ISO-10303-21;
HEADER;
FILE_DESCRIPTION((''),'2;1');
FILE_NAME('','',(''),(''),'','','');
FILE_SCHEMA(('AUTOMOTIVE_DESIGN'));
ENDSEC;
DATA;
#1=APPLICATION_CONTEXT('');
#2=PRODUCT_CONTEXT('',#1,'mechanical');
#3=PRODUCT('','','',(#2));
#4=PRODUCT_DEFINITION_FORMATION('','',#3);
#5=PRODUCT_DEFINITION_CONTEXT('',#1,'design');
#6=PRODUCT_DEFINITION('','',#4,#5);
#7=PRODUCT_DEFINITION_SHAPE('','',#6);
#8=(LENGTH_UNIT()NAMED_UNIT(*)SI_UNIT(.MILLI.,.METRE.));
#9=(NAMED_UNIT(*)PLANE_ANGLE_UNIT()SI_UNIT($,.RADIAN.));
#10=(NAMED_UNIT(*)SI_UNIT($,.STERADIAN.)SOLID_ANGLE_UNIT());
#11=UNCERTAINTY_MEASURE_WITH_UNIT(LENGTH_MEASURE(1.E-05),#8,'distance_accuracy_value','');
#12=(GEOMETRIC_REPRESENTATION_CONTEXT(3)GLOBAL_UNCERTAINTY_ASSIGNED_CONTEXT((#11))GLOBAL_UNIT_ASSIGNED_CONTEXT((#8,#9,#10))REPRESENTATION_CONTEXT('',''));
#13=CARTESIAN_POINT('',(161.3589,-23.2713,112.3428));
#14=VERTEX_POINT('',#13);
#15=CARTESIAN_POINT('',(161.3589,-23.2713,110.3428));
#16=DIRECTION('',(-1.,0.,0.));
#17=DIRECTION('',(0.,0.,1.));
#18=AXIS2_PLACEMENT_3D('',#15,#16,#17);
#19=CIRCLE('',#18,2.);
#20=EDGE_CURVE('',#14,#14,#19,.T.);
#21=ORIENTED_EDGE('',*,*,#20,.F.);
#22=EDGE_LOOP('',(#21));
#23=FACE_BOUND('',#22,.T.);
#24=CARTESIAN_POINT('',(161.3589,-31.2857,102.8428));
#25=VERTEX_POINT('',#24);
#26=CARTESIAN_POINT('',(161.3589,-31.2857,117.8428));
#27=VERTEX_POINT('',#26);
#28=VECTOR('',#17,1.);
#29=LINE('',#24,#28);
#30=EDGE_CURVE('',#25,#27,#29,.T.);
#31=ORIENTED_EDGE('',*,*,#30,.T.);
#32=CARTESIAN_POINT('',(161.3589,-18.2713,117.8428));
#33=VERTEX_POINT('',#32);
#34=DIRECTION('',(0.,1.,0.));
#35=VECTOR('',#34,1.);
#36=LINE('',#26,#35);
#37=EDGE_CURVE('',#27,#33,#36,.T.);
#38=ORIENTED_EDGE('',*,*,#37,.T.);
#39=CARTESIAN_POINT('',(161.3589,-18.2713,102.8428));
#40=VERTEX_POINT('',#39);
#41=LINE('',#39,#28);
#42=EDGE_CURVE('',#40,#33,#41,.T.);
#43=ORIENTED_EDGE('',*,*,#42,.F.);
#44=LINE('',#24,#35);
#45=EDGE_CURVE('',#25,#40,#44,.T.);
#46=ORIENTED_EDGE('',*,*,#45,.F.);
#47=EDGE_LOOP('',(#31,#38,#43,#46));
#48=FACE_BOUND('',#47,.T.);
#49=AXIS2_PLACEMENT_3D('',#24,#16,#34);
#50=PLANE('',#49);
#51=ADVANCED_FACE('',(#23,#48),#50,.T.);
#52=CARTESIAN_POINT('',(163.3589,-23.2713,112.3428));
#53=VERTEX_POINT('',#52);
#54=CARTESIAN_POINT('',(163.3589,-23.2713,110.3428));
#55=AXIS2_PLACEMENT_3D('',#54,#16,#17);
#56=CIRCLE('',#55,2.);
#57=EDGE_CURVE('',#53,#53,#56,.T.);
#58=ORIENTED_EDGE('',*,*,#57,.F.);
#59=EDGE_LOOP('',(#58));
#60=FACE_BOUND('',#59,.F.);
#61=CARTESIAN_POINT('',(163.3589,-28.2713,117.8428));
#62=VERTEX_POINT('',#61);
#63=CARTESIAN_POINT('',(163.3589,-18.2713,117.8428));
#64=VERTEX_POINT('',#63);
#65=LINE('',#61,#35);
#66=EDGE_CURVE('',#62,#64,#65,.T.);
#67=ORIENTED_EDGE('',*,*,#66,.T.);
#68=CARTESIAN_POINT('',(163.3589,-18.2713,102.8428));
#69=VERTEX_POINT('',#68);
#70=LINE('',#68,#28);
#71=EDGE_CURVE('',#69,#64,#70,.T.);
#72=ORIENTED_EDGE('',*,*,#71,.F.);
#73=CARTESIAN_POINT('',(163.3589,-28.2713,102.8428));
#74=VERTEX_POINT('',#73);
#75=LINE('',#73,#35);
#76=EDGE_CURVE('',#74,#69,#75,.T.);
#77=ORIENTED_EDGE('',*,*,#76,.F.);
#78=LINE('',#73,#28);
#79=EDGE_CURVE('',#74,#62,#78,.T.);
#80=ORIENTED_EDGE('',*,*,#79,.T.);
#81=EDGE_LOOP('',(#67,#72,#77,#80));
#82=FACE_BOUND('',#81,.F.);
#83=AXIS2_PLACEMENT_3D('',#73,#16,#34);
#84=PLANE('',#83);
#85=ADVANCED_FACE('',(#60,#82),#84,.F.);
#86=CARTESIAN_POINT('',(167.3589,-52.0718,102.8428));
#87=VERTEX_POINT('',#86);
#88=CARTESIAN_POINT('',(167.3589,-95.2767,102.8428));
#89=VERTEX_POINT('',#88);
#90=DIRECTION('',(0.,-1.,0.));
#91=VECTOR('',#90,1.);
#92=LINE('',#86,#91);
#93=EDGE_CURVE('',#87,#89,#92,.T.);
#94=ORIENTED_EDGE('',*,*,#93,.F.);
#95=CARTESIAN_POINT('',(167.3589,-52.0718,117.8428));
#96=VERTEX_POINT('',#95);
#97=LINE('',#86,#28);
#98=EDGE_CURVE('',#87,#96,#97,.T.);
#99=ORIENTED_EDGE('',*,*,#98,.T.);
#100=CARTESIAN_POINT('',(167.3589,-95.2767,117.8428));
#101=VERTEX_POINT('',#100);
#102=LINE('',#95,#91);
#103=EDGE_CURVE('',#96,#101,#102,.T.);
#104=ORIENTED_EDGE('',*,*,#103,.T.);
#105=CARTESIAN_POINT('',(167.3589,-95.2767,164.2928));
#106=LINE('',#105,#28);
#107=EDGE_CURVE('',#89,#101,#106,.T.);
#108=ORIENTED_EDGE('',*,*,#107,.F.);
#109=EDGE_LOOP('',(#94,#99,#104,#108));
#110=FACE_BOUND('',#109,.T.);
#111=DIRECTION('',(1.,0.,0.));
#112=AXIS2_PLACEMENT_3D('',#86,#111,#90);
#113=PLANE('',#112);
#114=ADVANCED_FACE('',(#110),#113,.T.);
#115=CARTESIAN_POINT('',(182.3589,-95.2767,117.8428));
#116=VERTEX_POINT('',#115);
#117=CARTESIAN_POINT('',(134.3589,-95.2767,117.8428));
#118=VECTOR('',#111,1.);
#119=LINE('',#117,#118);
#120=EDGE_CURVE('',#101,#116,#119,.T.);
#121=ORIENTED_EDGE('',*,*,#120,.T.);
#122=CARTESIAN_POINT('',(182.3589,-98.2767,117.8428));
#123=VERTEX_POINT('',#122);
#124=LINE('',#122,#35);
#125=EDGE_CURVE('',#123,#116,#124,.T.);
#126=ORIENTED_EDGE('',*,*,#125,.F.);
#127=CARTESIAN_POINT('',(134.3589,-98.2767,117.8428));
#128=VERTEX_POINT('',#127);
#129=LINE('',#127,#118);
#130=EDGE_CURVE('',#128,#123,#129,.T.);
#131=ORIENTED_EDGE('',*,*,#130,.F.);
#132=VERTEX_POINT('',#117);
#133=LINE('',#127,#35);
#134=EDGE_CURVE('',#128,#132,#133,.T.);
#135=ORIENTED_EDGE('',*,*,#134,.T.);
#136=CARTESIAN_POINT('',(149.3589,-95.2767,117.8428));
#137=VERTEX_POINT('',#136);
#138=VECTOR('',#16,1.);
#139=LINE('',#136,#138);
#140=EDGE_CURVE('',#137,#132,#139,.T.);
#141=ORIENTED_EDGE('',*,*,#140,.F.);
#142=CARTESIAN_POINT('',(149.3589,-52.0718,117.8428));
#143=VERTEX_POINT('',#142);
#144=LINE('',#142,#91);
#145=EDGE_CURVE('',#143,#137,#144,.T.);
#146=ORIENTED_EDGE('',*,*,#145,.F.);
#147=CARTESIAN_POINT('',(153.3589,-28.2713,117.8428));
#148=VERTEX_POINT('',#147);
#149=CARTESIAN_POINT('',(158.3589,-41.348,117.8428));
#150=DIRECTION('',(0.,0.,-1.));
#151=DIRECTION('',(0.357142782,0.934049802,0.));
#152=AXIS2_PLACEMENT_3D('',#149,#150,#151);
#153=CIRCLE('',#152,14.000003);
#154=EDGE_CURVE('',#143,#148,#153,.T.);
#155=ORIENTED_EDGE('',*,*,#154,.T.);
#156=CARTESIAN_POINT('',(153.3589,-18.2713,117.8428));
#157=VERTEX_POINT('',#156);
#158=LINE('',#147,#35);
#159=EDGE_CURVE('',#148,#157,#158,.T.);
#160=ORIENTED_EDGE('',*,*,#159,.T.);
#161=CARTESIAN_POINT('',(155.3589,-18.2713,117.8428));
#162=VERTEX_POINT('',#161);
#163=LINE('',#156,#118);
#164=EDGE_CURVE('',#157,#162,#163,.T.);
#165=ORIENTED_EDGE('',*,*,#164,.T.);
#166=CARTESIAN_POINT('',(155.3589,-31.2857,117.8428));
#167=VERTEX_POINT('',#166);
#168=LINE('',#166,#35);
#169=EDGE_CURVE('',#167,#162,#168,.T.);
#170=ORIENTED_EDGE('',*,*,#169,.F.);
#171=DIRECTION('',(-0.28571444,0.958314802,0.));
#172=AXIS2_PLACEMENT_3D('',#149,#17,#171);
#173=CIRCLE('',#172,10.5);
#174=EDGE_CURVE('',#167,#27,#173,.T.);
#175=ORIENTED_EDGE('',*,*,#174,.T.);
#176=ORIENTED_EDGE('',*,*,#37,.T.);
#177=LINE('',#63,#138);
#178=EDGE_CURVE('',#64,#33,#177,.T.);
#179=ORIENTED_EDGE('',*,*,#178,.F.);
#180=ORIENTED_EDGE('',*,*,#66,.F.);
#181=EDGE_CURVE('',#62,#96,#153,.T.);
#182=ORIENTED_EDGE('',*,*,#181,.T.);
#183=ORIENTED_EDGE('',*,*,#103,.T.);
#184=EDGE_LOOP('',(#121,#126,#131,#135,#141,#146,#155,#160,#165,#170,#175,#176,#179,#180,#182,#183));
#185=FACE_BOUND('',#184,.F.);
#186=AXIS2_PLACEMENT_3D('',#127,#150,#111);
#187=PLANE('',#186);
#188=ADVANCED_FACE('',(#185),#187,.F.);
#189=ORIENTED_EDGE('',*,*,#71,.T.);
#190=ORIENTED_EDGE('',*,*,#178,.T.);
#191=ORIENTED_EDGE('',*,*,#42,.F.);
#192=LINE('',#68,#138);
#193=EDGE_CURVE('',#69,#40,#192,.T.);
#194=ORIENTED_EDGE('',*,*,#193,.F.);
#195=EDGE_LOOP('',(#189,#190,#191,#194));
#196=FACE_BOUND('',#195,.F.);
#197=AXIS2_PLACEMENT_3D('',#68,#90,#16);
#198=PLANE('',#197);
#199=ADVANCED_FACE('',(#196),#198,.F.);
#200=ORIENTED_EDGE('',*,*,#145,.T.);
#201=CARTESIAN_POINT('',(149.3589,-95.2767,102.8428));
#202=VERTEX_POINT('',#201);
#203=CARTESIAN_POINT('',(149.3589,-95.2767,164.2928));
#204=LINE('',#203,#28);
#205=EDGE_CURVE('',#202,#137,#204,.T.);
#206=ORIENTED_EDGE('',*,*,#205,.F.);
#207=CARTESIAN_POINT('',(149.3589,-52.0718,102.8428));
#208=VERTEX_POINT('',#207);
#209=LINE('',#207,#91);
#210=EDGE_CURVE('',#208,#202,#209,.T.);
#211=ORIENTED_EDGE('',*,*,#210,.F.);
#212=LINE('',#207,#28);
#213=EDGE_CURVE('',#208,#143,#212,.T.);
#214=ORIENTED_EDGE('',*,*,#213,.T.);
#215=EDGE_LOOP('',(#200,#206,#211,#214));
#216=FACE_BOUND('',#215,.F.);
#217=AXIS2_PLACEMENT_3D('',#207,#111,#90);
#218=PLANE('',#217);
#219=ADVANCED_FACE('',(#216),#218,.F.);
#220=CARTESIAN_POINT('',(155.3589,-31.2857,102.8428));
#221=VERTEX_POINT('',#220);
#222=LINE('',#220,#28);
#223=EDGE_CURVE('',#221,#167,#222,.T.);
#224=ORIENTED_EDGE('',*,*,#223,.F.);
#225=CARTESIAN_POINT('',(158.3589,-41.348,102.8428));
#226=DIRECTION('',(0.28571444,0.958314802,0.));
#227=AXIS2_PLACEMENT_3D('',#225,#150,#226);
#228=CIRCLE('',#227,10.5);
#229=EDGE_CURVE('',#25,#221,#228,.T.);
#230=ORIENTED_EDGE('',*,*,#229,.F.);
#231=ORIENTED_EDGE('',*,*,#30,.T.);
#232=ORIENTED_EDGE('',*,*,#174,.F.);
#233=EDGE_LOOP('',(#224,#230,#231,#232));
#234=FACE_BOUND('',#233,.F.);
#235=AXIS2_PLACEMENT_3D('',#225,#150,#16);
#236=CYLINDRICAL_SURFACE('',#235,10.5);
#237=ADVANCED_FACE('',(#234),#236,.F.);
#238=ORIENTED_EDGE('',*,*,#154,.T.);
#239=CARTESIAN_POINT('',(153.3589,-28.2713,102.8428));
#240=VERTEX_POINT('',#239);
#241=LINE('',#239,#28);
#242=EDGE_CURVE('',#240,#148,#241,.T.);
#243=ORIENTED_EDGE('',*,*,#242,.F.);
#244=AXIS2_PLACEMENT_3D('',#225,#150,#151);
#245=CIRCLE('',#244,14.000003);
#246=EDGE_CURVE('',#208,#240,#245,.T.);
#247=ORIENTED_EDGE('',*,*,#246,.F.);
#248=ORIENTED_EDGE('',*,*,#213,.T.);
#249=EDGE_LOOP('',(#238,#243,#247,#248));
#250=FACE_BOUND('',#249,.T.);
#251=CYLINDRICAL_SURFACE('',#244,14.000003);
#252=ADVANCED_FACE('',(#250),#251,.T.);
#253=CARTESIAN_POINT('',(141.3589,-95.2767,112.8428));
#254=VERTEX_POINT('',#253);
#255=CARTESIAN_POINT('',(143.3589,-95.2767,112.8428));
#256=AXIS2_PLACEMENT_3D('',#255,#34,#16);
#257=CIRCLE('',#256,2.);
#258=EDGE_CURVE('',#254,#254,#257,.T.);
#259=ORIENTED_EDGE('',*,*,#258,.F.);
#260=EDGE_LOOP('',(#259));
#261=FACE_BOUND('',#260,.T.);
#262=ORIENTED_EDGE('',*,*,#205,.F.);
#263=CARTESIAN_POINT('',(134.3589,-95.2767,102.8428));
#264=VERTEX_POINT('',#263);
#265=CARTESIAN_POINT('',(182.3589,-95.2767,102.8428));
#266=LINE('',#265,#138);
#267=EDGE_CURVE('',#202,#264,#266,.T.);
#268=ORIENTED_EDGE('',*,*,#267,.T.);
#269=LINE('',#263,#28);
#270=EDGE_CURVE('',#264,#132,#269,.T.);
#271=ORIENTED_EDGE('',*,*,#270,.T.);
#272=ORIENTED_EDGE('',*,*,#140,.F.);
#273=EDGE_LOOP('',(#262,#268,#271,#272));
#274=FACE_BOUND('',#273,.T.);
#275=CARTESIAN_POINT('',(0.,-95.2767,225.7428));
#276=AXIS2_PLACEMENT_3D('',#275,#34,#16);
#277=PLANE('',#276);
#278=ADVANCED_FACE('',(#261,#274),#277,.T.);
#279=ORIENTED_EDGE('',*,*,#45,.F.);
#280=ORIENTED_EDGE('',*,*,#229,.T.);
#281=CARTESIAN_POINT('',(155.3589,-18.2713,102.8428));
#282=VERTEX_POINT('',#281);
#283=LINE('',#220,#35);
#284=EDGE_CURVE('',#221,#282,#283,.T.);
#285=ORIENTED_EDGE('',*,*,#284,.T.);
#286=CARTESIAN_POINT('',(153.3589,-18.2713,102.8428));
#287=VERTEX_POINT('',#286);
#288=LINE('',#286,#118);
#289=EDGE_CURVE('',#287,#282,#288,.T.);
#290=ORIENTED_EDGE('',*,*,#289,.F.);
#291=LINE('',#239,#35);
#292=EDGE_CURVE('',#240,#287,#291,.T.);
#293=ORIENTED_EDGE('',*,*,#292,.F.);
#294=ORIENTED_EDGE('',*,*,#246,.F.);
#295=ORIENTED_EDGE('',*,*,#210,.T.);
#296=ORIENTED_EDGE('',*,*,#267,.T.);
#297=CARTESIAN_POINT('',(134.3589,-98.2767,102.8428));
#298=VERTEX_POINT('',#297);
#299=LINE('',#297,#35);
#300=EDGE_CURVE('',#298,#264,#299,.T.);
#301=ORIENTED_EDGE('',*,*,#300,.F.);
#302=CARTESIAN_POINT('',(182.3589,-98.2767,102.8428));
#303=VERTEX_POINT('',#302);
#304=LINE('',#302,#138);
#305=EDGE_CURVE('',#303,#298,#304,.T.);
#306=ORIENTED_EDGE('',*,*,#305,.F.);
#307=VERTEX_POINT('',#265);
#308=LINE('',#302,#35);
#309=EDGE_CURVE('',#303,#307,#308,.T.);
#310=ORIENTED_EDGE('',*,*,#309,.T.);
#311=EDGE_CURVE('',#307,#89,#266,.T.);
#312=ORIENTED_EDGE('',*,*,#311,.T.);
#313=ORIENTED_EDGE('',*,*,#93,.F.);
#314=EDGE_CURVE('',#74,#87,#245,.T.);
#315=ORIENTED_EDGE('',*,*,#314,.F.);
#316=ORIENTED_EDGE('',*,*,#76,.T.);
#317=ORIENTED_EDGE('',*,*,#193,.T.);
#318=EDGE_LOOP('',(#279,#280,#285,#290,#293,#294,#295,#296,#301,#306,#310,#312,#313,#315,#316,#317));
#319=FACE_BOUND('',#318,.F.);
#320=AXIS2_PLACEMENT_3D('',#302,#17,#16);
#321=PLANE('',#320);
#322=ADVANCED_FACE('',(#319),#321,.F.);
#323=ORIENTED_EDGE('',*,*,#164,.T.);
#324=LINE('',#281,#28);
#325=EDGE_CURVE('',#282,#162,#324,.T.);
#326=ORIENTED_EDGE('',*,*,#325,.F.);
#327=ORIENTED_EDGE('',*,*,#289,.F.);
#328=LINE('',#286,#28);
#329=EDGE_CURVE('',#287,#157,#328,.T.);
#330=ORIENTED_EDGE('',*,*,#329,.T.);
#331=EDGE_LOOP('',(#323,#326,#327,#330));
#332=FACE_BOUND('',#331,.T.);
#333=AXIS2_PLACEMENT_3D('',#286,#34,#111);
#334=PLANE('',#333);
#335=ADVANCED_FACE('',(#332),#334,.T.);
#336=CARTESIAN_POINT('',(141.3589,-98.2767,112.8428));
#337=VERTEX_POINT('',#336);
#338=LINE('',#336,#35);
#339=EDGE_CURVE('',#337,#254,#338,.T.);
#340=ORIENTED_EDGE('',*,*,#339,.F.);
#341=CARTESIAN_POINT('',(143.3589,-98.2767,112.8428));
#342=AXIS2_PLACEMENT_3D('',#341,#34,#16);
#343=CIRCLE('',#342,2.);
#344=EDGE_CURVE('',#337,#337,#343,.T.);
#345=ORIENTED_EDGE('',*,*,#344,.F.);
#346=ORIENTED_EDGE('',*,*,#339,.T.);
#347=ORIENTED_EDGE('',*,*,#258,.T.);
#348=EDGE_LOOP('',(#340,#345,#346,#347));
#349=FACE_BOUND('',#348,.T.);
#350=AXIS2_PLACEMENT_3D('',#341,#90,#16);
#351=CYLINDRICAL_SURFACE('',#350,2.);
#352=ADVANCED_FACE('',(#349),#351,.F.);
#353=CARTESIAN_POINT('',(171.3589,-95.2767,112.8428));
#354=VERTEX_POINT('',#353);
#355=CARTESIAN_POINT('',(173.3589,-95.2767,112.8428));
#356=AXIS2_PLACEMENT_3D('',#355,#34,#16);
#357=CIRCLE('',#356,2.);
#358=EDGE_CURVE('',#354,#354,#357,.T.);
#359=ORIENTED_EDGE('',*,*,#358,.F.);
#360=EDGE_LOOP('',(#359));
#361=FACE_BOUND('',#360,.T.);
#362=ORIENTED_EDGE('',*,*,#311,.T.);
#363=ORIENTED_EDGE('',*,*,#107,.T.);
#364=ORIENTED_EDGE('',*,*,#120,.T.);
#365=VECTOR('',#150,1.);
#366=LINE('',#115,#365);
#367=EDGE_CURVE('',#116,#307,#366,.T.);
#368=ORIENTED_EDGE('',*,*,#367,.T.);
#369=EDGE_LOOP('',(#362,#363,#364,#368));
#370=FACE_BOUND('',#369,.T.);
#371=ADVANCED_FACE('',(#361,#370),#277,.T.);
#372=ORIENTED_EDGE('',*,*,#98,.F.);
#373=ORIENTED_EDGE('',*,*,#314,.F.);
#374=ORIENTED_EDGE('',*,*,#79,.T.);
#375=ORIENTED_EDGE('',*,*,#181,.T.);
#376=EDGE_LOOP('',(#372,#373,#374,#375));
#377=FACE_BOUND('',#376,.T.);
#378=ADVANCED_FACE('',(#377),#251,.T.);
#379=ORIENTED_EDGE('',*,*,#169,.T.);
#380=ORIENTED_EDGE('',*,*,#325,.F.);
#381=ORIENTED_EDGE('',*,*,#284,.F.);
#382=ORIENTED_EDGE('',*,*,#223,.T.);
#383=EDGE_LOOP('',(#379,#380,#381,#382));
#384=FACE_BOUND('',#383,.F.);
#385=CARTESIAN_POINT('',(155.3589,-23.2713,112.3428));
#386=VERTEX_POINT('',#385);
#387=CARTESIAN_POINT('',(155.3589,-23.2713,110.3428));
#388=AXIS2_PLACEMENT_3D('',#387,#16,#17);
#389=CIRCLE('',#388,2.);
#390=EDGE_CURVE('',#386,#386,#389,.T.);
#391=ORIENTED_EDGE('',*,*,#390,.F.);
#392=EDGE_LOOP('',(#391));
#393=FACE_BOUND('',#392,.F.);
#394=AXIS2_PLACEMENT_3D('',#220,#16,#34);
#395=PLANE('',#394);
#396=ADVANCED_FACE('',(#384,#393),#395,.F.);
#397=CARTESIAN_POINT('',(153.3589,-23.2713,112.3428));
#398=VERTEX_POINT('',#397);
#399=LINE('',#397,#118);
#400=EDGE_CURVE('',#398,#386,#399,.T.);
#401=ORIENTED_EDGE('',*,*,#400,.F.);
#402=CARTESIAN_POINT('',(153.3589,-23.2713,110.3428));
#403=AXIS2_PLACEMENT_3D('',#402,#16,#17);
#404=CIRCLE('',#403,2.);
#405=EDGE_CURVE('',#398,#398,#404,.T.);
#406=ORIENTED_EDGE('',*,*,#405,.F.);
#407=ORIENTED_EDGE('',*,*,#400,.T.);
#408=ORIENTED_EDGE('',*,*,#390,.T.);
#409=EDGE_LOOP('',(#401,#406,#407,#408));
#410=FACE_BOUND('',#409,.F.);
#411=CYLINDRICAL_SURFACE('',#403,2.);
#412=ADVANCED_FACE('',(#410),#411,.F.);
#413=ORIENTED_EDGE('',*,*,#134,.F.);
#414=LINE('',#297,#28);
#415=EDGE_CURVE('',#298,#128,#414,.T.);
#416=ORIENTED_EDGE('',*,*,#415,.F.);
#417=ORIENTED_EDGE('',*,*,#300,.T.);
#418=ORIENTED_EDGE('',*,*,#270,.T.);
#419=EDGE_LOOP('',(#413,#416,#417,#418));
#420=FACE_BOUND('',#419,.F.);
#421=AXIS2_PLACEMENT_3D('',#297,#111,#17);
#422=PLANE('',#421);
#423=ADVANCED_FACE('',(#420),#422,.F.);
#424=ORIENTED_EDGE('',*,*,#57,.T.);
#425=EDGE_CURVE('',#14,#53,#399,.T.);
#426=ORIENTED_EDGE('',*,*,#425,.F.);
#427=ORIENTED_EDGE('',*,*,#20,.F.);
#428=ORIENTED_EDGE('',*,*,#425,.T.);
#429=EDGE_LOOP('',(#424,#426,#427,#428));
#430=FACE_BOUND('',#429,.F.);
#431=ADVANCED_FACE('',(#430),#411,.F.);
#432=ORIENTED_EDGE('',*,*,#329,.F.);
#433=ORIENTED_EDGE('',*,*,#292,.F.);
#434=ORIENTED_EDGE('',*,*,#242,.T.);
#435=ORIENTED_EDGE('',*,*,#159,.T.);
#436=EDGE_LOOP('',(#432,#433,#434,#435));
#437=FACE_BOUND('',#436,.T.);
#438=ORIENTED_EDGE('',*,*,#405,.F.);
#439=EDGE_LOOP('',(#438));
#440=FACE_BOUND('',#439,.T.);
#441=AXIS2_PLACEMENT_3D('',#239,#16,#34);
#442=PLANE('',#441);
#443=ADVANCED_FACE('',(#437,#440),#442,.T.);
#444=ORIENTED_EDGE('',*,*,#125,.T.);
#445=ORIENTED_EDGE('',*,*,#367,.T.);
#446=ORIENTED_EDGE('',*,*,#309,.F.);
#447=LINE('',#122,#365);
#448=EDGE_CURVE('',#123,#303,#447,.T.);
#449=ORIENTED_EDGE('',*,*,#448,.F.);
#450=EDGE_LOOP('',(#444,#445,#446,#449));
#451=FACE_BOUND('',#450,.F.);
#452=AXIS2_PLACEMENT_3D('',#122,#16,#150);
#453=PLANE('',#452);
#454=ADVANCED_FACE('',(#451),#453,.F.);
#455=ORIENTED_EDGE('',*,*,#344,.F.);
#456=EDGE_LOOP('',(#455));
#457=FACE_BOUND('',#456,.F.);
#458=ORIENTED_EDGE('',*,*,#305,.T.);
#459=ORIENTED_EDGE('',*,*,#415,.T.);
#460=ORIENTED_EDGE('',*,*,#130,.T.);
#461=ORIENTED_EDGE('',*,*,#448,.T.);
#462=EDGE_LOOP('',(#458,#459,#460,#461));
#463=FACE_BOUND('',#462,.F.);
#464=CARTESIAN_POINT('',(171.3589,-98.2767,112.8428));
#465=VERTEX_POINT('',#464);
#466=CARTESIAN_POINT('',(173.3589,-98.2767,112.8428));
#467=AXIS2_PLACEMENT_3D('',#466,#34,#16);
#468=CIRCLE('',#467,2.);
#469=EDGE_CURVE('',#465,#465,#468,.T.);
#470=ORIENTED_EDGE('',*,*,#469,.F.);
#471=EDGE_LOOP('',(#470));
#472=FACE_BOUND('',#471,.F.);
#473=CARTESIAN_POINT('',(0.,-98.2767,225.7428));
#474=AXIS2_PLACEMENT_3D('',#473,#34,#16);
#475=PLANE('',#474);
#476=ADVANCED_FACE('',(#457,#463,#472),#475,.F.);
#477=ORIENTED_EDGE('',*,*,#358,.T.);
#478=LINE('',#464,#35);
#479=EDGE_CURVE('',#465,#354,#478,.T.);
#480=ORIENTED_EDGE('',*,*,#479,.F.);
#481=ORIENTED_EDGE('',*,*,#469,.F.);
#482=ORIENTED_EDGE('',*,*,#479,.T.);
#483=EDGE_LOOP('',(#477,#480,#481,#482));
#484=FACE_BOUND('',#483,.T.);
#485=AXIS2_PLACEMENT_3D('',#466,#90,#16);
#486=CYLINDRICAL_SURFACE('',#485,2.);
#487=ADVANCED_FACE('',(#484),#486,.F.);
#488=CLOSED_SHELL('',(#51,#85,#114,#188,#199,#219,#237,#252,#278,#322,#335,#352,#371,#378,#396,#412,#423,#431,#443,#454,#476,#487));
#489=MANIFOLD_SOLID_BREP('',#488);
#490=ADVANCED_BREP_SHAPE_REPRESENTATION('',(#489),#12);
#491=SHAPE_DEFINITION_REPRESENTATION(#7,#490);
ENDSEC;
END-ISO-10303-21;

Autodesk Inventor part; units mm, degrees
ref_plane "YZ Plane" through (0, 0, 0) normal (1, 0, 0) x (0, 1, 0)
ref_plane "Work Plane3" through (158.3589, -41.348, 102.8428) normal (0, 0, -1) x (-1, 0, 0)
sketch "Sketch3" plane through (158.3589, -41.348, 102.8428) normal (0, 0, -1) x (-1, 0, 0)
  circle A0 centre (0, 0) radius 10.5 projected
  arc A1 (-3, 10.0623) -> (3, 10.0623) centre (0, 0) ccw
  line L0 (0, 0) -> (0, 16.5106) construction
  line L1 (5, 13.0767) -> (5, 23.0767)
  line L2 (3, 10.0623) -> (3, 23.0767)
  line L3 (5, 23.0767) -> (3, 23.0767)
  line L4 (-5, 13.0767) -> (-5, 23.0767)
  line L5 (-3, 10.0623) -> (-3, 23.0767)
  line L6 (-5, 23.0767) -> (-3, 23.0767)
  arc A2 (-5, 13.0767) -> (5, 13.0767) centre (0, 0) ccw
  point P0 (158.3589, 41.348)
  dimension "d8" = 0
  dimension "d30" = 10
  dimension "d31" = 2
  dimension "d32" = 3
  dimension "d33" = 14
extrude "Extrusion2" add sketch "Sketch3" against normal blind 15 contours A0 L2 L3 L1 A2 L4 L6 L5
sketch "Sketch5" plane through (158.3589, -41.348, 102.8428) normal (0, 0, -1) x (-1, 0, 0)
  line L0 (-41.6411, -56.9287) -> (358.3589, -56.9287) projected
  arc A0 (-2.5, 13.775) -> (2.5, 13.775) centre (0, 0) ccw projected
  line L1 (0, -14) -> (0, -56.9287) construction
  line L2 (9, -10.7238) -> (9, -56.9287)
  line L3 (-9, -10.7238) -> (-9, -56.9287)
  point P0 (158.3589, 41.348)
  point P1 (-9, -10.7238)
  point P2 (-9, -56.9287)
  dimension "d19" = 9
extrude "Extrusion4" add sketch "Sketch5" against normal blind 15
ref_plane "Work Plane5" through (0, -98.2767, 225.7428) normal (0, 1, 0) x (-1, 0, 0)
sketch "Sketch7" plane through (0, -98.2767, 225.7428) normal (0, 1, 0) x (-1, 0, 0)
  circle A0 centre (-143.3589, -112.9) radius 2 projected
  circle A1 centre (-173.3589, -112.9) radius 2 projected
  line L0 (-134.3589, -107.9) -> (-182.3589, -107.9)
  line L1 (-182.3589, -107.9) -> (-182.3589, -122.9)
  line L2 (-182.3589, -122.9) -> (-134.3589, -122.9)
  line L3 (-134.3589, -122.9) -> (-134.3589, -107.9)
  line L4 (-144.3589, -107.9) -> (-155.8589, -107.9) projected
  point P0 (0, -225.7428)
  point P1 (-149.3589, -107.9)
  dimension "d23" = 48
  dimension "d24" = 15
  dimension "d25" = 9
extrude "Extrusion5" add sketch "Sketch7" along normal blind 3
sketch "Sketch8" plane through (153.3589, -28.2713, 102.8428) normal (-1, 0, 0) x (0, 0, 1)
  line L0 (0, 0) -> (0, 10) projected
  line L1 (0, 10) -> (15, 10) projected
  line L2 (0, 5) -> (15, 5) construction
  line L3 (0, 10) -> (15, 10) projected
  line L4 (7.5, 10) -> (7.5, 0) construction
  circle A0 centre (7.5, 5) radius 2
  point P0 (-102.8428, 28.2713)
  dimension "d34" = 4
extrude "Extrusion6" cut sketch "Sketch8" against normal blind 10
properties part number "base_motor"
